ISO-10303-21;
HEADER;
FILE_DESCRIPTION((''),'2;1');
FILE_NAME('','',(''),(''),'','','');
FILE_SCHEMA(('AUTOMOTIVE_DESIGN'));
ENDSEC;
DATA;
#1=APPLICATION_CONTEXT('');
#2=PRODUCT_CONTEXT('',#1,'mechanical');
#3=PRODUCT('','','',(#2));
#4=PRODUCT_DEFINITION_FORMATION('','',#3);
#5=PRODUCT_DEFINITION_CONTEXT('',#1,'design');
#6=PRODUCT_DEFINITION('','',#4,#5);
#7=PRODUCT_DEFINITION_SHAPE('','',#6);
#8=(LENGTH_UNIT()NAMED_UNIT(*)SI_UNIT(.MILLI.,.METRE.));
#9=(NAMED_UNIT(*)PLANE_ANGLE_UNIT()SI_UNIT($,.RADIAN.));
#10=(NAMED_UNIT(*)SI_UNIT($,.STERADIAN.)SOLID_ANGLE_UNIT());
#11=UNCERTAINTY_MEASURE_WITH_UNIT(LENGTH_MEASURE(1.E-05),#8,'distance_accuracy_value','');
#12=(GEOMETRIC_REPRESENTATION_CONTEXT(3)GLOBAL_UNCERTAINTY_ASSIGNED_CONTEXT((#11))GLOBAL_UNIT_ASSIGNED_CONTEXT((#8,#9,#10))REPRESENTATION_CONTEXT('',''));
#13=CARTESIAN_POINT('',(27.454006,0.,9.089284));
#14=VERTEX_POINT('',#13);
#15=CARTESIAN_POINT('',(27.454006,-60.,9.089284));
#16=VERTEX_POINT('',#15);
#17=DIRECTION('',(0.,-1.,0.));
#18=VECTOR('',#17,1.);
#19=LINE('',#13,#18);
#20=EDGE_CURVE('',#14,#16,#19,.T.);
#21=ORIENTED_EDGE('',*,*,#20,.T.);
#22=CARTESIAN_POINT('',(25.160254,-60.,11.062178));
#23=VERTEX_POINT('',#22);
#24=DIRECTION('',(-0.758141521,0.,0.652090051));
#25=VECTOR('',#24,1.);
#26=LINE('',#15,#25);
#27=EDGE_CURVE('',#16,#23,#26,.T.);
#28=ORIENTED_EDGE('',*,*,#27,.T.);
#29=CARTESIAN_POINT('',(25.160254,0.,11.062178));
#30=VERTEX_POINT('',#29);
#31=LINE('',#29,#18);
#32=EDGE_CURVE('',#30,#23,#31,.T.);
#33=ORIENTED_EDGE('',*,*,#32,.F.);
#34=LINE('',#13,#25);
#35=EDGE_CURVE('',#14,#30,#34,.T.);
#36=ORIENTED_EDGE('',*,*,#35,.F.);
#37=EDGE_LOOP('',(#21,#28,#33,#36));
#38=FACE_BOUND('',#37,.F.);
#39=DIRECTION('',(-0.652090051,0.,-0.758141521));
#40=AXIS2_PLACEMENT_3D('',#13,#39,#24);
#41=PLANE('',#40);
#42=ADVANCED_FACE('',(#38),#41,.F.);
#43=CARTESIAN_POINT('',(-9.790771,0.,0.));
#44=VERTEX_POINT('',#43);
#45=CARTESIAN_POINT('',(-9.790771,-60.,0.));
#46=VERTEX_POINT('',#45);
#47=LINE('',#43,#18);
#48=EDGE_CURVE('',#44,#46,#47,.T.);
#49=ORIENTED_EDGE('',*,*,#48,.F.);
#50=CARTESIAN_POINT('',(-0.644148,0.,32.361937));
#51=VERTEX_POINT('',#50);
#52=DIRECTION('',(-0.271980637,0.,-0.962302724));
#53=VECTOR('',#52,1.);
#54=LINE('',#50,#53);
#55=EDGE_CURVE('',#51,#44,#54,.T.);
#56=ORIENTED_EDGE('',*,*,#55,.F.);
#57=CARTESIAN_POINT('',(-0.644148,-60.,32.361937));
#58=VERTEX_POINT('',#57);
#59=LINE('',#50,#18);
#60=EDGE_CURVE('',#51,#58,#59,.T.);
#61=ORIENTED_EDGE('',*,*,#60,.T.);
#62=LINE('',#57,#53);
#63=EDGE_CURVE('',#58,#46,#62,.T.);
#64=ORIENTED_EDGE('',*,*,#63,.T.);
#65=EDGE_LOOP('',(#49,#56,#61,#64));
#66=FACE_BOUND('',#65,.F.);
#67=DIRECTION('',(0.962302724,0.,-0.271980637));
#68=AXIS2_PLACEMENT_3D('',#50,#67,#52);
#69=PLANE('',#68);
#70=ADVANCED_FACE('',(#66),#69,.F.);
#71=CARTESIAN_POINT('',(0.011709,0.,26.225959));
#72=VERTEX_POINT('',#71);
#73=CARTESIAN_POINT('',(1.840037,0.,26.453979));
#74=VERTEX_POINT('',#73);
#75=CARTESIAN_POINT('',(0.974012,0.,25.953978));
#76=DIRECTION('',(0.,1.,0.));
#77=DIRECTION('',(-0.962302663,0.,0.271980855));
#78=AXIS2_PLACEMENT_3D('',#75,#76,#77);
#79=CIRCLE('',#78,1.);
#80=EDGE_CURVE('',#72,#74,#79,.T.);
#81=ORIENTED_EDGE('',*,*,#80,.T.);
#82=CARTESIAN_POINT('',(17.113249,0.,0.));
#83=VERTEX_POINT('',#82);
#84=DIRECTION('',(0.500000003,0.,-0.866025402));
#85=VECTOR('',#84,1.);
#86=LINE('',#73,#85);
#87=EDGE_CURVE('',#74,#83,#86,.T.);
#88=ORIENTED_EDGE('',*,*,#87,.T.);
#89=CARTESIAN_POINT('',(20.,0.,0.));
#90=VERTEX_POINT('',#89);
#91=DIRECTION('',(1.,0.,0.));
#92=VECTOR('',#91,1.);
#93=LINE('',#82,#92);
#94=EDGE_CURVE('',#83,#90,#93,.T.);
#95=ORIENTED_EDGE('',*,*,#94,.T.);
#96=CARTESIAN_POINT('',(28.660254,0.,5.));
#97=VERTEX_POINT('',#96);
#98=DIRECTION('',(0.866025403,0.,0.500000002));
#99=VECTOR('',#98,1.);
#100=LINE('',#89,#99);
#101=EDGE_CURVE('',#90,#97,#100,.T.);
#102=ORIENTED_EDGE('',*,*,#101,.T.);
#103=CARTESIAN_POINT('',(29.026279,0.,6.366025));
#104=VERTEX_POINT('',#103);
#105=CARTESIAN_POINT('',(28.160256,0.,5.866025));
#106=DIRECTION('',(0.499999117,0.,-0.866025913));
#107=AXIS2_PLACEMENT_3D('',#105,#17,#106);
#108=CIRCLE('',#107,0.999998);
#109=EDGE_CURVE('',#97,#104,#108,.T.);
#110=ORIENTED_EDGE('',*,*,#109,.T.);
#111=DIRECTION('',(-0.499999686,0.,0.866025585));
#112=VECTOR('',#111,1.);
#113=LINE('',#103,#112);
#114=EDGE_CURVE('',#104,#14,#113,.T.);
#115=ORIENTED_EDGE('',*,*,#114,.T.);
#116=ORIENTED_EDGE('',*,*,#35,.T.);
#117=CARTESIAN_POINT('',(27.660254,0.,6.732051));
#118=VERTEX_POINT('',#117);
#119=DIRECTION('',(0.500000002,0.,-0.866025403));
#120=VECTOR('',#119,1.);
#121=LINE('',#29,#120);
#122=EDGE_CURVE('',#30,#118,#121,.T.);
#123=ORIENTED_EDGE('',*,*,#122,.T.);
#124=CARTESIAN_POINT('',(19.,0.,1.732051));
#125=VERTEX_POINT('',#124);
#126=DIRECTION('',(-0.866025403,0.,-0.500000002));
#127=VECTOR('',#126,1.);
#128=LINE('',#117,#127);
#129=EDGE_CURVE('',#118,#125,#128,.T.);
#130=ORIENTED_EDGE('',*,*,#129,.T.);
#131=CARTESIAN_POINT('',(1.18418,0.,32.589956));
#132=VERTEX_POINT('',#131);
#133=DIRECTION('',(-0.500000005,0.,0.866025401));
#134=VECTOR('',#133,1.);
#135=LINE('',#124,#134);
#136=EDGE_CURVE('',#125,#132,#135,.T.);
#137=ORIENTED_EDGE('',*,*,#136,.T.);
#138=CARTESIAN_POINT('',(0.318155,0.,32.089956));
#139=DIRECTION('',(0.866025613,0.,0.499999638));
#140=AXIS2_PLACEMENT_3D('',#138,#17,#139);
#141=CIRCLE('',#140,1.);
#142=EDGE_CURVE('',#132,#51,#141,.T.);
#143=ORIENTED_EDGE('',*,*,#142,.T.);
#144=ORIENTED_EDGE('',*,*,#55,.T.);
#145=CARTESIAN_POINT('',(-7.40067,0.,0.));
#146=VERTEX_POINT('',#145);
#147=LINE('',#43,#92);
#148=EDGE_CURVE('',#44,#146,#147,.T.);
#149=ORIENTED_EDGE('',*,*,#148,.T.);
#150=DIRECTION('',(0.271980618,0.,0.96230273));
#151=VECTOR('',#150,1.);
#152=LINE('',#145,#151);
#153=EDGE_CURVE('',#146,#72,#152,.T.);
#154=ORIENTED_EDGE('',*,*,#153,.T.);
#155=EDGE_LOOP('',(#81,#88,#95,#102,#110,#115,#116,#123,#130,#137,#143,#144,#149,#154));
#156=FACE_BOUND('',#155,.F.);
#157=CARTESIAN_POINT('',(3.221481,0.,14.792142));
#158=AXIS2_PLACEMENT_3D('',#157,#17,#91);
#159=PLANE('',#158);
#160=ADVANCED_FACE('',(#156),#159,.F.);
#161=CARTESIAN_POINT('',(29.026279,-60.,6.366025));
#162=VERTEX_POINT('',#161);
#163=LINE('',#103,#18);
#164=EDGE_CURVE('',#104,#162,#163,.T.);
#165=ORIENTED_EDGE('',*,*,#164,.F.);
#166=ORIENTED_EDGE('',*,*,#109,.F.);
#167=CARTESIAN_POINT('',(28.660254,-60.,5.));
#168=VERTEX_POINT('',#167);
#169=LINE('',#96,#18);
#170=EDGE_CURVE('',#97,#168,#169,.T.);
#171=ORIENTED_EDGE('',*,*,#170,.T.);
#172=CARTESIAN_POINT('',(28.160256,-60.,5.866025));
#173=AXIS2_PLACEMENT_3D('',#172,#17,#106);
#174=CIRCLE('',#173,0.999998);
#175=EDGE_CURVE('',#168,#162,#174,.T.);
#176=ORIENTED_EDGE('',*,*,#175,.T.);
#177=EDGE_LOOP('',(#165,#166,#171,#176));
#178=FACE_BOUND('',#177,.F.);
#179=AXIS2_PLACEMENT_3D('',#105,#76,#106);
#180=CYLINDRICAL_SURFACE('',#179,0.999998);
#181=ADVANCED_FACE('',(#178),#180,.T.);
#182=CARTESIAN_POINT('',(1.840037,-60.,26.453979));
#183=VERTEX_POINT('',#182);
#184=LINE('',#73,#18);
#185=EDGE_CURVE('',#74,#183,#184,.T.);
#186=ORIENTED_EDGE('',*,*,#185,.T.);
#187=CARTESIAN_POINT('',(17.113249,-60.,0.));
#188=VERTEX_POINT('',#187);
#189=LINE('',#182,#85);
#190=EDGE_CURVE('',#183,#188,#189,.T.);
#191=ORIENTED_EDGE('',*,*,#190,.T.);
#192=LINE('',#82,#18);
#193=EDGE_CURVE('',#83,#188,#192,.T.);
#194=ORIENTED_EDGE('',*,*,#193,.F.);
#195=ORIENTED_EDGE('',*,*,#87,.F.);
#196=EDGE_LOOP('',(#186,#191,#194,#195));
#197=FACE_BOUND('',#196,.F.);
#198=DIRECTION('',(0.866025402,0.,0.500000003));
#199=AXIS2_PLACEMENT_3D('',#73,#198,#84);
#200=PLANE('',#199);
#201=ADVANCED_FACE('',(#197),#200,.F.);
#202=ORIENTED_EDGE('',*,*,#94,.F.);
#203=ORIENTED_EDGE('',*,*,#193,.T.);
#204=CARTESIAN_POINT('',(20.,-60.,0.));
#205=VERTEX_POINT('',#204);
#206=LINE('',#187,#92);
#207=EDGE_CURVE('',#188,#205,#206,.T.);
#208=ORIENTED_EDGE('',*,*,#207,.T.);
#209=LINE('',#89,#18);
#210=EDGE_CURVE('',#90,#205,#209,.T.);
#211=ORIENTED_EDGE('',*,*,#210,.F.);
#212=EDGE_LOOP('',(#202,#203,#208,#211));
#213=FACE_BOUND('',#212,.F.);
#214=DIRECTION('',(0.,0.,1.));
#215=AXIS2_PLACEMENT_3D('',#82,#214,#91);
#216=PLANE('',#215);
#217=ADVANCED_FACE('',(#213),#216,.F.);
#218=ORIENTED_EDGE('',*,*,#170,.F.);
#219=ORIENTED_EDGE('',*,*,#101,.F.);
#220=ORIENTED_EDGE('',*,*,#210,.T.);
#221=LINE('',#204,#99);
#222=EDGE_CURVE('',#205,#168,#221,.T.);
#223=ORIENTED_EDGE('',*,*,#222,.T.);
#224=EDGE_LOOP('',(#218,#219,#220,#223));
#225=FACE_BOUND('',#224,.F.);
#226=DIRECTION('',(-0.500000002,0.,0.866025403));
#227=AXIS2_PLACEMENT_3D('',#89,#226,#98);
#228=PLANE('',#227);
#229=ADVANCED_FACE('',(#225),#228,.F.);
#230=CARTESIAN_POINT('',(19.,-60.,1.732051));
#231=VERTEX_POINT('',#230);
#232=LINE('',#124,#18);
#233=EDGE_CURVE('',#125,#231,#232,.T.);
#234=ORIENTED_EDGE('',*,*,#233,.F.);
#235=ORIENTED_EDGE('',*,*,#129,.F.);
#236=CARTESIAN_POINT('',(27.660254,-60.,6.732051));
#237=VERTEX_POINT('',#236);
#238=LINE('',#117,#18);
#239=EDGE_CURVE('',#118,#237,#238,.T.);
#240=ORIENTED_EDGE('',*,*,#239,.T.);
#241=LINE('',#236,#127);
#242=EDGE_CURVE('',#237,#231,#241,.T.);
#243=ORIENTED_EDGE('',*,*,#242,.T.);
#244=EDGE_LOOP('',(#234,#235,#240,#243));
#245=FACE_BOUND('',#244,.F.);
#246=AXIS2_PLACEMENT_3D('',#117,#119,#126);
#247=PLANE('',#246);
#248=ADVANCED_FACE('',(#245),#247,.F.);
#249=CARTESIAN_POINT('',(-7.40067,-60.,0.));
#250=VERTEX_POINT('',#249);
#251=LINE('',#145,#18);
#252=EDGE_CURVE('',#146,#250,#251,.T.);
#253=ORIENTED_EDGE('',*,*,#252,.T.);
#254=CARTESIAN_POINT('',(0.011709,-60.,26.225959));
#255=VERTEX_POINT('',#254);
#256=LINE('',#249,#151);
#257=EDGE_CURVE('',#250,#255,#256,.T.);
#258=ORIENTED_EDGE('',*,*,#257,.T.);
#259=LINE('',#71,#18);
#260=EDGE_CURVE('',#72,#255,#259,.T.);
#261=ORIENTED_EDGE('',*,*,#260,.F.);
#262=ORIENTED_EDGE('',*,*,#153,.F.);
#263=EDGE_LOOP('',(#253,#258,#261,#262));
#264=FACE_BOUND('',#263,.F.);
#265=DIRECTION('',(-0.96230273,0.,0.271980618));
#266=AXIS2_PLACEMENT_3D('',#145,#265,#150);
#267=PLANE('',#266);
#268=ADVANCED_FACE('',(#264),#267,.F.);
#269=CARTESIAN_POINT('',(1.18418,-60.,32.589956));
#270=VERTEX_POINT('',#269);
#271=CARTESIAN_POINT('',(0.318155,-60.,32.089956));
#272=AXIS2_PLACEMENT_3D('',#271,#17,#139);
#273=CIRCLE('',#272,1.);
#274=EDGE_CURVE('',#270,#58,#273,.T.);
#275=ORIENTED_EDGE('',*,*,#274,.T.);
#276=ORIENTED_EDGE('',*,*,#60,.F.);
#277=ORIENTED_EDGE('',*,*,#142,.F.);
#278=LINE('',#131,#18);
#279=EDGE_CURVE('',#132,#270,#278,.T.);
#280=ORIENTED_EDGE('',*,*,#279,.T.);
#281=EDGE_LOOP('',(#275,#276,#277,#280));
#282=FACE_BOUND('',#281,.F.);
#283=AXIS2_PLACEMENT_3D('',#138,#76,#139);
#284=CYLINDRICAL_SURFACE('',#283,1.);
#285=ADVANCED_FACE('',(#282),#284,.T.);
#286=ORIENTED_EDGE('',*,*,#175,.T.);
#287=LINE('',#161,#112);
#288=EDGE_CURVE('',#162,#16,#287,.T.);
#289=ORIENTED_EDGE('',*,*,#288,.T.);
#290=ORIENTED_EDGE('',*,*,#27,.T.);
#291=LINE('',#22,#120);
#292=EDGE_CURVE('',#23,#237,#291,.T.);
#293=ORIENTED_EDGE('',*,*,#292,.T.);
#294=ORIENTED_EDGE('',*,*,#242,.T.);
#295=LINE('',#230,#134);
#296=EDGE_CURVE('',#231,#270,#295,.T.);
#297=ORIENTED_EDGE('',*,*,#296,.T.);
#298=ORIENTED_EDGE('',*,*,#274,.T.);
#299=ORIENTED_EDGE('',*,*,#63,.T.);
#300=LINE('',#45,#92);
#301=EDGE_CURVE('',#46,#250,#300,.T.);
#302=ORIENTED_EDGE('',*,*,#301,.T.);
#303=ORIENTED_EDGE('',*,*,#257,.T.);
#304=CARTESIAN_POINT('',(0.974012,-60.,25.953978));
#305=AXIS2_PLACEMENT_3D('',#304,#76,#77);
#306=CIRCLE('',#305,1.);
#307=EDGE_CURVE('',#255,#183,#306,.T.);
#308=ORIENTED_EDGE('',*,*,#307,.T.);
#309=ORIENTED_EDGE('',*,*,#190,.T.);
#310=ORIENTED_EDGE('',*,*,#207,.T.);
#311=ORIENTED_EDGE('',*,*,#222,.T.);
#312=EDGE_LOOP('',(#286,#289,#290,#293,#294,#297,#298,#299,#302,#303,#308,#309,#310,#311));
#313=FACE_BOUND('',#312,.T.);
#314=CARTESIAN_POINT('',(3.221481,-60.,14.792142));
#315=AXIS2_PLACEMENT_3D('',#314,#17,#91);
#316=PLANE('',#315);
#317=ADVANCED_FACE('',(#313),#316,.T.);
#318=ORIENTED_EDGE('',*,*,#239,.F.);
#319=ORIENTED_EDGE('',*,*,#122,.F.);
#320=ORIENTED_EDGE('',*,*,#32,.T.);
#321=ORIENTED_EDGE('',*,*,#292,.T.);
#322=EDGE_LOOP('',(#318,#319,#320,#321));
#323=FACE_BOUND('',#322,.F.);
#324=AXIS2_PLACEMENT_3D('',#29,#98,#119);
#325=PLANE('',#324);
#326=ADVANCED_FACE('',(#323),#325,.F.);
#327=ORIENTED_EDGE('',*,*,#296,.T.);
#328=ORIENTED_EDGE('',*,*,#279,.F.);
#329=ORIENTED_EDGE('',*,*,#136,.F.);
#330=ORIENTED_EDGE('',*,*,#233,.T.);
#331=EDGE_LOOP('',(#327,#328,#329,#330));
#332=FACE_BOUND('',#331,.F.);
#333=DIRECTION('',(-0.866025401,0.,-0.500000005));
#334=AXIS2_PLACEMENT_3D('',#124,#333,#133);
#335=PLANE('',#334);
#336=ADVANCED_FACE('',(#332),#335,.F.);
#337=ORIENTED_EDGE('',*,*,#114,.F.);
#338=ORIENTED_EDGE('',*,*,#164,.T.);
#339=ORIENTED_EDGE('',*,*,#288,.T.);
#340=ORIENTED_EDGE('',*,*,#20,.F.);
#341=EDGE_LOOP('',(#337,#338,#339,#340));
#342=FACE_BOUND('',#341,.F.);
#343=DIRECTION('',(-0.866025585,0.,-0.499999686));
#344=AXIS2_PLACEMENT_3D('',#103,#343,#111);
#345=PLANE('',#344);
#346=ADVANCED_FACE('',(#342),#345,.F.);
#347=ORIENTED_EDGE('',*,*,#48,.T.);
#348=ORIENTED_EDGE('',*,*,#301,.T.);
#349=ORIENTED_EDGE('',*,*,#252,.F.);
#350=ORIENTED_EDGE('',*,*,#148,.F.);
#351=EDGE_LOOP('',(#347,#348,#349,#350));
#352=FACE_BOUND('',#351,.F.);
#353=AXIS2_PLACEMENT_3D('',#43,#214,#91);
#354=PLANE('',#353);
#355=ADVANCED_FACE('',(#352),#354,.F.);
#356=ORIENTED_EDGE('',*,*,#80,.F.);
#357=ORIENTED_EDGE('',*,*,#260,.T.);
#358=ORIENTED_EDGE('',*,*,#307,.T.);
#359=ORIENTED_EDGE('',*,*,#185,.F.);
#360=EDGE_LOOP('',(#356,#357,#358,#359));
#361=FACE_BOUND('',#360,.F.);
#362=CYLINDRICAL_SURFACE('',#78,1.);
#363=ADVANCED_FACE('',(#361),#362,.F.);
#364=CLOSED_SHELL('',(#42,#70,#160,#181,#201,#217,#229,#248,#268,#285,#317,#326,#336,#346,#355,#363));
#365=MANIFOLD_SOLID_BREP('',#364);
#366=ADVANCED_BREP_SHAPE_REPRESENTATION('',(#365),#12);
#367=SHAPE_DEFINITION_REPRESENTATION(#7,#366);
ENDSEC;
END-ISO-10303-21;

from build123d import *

# Parameters (mm, degrees)
F1_DEPTH = 60


with BuildPart() as f1:
    # F0 (on Front) → F1 (new body)
    with BuildSketch(Plane.XZ):
        with BuildLine():
            Line((19, 1.732051), (1.18418, 32.589956))
            ThreePointArc((1.18418, 32.589956), (0.194399, 33.082269), (-0.644148, 32.361937))
            Line((-0.644148, 32.361937), (-9.790771, 0))
            Line((-9.790771, 0), (-7.40067, 0))
            Line((-7.40067, 0), (0.011709, 26.225959))
            ThreePointArc((0.011709, 26.225959), (0.850256, 26.946291), (1.840037, 26.453979))
            Line((1.840037, 26.453979), (17.113249, 0))
            Line((17.113249, 0), (20, 0))
            Line((20, 0), (19, 1.732051))
        make_face()
        with BuildLine():
            Line((27.660254, 6.732051), (19, 1.732051))
            Line((19, 1.732051), (20, 0))
            Line((20, 0), (28.660254, 5))
            ThreePointArc((28.660254, 5), (29.12618, 5.607206), (29.026279, 6.366025))
            Line((29.026279, 6.366025), (27.454006, 9.089284))
            Line((27.454006, 9.089284), (25.160254, 11.062178))
            Line((25.160254, 11.062178), (27.660254, 6.732051))
        make_face()
    extrude(amount=F1_DEPTH)


solid = f1.part
